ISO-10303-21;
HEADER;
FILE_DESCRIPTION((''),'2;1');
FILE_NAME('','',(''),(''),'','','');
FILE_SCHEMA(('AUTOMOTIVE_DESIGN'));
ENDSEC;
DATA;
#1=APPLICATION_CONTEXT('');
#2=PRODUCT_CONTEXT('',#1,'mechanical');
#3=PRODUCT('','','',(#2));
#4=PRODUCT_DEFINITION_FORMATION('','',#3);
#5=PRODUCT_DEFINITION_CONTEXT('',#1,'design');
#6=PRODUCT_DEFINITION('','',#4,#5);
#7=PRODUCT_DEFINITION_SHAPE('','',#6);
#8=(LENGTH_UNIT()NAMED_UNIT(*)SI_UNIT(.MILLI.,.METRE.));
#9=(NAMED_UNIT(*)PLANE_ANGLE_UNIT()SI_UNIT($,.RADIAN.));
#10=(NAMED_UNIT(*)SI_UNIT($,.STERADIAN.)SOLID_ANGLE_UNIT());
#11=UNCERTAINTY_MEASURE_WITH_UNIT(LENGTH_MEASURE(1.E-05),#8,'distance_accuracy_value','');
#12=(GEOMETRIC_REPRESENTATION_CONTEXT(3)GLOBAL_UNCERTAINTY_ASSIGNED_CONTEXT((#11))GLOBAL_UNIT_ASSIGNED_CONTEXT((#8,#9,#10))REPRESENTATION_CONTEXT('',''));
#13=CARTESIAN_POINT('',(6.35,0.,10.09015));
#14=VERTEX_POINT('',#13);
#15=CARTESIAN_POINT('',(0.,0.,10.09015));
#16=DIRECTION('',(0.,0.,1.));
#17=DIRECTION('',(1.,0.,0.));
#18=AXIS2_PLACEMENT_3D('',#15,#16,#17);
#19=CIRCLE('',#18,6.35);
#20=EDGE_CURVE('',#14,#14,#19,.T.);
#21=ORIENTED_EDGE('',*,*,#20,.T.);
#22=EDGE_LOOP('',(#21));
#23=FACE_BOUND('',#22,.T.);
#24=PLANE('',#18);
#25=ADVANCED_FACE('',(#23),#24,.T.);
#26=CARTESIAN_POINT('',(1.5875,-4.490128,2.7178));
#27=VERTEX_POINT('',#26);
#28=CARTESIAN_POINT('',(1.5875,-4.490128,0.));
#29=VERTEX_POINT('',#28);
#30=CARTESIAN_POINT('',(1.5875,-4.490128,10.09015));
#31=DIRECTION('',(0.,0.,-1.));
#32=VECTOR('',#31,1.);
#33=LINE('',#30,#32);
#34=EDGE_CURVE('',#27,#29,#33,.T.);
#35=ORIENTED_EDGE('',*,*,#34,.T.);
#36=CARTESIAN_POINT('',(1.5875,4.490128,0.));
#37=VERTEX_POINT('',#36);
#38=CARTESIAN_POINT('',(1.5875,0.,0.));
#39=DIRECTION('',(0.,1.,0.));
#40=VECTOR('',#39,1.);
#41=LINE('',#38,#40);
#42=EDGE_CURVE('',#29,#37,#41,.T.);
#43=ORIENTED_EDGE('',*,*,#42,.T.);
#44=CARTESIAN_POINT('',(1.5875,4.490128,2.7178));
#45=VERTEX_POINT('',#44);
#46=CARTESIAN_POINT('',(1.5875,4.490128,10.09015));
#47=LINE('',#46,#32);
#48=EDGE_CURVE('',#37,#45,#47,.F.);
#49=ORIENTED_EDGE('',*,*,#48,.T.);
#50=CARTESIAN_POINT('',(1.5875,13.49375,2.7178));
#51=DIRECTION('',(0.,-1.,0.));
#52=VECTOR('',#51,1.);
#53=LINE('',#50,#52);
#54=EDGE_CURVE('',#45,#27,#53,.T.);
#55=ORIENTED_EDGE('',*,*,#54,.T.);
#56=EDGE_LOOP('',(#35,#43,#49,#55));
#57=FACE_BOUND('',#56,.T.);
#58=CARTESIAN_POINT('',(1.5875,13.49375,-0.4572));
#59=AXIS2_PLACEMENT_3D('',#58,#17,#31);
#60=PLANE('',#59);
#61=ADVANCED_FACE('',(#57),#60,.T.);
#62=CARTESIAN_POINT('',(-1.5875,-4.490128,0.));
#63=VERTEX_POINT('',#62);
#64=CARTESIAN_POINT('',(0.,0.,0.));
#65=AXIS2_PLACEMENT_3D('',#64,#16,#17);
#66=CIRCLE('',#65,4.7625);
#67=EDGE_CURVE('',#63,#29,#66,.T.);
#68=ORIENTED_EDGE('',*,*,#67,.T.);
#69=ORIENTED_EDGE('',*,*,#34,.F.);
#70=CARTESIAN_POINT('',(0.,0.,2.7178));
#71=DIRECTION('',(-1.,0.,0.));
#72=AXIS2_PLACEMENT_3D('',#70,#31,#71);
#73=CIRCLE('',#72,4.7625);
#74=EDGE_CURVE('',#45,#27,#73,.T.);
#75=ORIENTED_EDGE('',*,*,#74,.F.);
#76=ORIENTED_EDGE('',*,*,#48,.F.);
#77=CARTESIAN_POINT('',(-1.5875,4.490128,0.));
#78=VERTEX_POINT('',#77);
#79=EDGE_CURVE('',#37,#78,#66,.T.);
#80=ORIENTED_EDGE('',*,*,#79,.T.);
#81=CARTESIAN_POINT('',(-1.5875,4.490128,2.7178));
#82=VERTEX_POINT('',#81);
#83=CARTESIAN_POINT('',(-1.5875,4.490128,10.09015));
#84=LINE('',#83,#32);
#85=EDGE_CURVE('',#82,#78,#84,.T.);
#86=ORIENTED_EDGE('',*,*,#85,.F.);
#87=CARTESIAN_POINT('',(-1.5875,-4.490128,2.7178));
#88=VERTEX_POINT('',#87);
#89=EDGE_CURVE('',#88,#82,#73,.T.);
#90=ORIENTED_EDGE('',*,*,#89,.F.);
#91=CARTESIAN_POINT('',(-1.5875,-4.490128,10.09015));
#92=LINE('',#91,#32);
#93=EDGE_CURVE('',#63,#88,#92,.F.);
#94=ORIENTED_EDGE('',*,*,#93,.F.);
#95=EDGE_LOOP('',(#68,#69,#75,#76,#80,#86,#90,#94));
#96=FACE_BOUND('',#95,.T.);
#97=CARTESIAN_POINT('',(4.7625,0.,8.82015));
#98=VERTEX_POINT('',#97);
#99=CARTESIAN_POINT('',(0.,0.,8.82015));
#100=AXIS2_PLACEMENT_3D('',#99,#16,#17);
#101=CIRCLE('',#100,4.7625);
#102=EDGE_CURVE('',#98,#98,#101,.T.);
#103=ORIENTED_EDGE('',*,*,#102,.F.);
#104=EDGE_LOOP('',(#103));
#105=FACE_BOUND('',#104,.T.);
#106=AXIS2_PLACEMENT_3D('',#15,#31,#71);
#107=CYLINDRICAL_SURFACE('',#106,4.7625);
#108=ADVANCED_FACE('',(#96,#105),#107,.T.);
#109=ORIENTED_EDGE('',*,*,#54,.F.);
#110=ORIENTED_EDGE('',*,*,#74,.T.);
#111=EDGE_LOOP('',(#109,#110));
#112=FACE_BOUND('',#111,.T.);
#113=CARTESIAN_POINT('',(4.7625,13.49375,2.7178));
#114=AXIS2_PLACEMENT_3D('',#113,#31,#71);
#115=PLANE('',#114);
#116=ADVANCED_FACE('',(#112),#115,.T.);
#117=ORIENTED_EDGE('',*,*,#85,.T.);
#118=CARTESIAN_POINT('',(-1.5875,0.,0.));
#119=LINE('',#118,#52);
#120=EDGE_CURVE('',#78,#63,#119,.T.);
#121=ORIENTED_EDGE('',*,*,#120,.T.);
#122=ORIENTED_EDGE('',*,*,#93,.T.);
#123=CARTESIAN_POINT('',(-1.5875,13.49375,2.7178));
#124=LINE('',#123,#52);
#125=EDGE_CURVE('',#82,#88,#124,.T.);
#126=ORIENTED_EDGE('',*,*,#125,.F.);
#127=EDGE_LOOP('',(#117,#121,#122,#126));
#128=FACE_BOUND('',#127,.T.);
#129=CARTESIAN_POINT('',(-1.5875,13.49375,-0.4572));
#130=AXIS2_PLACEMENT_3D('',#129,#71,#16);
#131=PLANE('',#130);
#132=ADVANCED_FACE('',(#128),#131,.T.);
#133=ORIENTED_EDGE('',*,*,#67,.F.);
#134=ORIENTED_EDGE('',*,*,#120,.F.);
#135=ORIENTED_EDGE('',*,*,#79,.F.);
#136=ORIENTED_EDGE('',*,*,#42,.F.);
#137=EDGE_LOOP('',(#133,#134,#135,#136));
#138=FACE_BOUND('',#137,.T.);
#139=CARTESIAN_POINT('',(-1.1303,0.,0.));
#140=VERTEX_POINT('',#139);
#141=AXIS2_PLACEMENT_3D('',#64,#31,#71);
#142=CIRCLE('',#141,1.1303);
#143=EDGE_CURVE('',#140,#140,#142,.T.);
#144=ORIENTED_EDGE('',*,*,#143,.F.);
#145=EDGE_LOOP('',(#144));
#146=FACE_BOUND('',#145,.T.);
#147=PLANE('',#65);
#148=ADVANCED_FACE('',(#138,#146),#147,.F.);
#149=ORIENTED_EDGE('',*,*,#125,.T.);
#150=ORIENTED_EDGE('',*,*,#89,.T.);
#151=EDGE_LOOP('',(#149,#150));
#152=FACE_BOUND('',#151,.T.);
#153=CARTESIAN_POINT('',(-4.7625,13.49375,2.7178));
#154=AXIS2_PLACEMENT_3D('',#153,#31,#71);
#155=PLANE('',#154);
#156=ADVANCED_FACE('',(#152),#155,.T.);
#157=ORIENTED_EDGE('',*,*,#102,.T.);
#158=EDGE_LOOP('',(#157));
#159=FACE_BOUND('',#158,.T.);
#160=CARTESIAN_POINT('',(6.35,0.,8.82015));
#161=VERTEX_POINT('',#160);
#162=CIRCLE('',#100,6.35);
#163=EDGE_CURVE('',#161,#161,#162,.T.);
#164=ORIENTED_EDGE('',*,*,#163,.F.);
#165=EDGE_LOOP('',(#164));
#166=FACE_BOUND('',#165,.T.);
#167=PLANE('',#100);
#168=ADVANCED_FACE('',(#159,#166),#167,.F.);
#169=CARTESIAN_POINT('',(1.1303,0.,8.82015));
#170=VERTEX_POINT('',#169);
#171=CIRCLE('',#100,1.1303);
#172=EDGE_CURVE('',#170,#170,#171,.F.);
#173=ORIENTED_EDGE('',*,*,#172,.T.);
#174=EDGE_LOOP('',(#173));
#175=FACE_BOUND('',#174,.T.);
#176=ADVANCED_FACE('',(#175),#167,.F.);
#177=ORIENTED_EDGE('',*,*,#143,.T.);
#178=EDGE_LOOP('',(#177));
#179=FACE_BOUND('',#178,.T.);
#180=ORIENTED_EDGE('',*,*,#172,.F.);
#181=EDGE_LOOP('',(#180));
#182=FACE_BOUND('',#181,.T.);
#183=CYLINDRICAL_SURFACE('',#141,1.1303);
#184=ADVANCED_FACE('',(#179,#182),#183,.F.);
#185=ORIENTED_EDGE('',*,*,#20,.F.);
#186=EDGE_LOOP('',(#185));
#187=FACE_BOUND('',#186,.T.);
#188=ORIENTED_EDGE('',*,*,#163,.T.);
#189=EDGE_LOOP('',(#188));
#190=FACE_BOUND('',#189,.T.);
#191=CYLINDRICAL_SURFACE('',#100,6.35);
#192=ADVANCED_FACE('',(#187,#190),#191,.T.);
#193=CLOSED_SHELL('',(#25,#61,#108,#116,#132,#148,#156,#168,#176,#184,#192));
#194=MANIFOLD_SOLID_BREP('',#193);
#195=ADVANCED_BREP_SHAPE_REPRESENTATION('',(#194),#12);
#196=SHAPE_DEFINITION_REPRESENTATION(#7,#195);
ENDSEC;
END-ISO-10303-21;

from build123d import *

# Parameters (mm, degrees)
SKETCH1_R                 = 4.7625
BOSS_EXTRUDE1_DEPTH       = 10.09015
CUT_EXTRUDE1_DEPTH        = 13.49375
CUT_EXTRUDE1_DEPTH_BACK   = 13.49375
SKETCH2_W                 = 3.175
SKETCH2_H                 = 3.175
SKETCH2_W_2               = 0.335237521
SKETCH2_H_2               = 0.139682301
F_4_40_TAPPED_HOLE1_D     = 2.2606
F_4_40_TAPPED_HOLE1_DEPTH = 8.8646
F_4_40_TAPPED_HOLE1_TIP   = 0.679152758
SKETCH6_R                 = 6.35
BOSS_EXTRUDE2_DEPTH       = 1.27


with BuildPart() as part:
    # Sketch1 → Boss-Extrude1 (new body)
    with BuildSketch(Plane.XY):
        Circle(SKETCH1_R)
    extrude(amount=BOSS_EXTRUDE1_DEPTH)

    # Sketch2 → Cut-Extrude1 (cut, two sides: drawn at the far end of the back side and taken through both)
    with BuildSketch(Plane(origin=(0, 0, 0), x_dir=(1, 0, 0), z_dir=(0, 1, 0)).offset(-CUT_EXTRUDE1_DEPTH_BACK)):
        with Locations((-3.175, -1.1303)):
            Rectangle(SKETCH2_W, SKETCH2_H)
        with Locations((6.06221185, 0.404858795)):
            Rectangle(SKETCH2_W_2, SKETCH2_H_2)
        with Locations((3.175, -1.1303)):
            Rectangle(SKETCH2_W, SKETCH2_H)
    extrude(amount=CUT_EXTRUDE1_DEPTH + CUT_EXTRUDE1_DEPTH_BACK, mode=Mode.SUBTRACT)

    # #4-40 Tapped Hole1
    with Locations(Plane(origin=(0, 0, 0), x_dir=(-1, 0, 0), z_dir=(0, 0, -1))):
        with Locations((0, 0)):
            Hole(F_4_40_TAPPED_HOLE1_D / 2, depth=F_4_40_TAPPED_HOLE1_DEPTH)
            with Locations((0, 0, -(F_4_40_TAPPED_HOLE1_DEPTH + F_4_40_TAPPED_HOLE1_TIP / 2))):  # 118° drill point
                Cone(0, F_4_40_TAPPED_HOLE1_D / 2, F_4_40_TAPPED_HOLE1_TIP, mode=Mode.SUBTRACT)

    # Sketch6 → Boss-Extrude2 (add)
    with BuildSketch(Plane.XY.offset(10.09015)):
        Circle(SKETCH6_R)
    extrude(amount=-BOSS_EXTRUDE2_DEPTH)


solid = part.part
